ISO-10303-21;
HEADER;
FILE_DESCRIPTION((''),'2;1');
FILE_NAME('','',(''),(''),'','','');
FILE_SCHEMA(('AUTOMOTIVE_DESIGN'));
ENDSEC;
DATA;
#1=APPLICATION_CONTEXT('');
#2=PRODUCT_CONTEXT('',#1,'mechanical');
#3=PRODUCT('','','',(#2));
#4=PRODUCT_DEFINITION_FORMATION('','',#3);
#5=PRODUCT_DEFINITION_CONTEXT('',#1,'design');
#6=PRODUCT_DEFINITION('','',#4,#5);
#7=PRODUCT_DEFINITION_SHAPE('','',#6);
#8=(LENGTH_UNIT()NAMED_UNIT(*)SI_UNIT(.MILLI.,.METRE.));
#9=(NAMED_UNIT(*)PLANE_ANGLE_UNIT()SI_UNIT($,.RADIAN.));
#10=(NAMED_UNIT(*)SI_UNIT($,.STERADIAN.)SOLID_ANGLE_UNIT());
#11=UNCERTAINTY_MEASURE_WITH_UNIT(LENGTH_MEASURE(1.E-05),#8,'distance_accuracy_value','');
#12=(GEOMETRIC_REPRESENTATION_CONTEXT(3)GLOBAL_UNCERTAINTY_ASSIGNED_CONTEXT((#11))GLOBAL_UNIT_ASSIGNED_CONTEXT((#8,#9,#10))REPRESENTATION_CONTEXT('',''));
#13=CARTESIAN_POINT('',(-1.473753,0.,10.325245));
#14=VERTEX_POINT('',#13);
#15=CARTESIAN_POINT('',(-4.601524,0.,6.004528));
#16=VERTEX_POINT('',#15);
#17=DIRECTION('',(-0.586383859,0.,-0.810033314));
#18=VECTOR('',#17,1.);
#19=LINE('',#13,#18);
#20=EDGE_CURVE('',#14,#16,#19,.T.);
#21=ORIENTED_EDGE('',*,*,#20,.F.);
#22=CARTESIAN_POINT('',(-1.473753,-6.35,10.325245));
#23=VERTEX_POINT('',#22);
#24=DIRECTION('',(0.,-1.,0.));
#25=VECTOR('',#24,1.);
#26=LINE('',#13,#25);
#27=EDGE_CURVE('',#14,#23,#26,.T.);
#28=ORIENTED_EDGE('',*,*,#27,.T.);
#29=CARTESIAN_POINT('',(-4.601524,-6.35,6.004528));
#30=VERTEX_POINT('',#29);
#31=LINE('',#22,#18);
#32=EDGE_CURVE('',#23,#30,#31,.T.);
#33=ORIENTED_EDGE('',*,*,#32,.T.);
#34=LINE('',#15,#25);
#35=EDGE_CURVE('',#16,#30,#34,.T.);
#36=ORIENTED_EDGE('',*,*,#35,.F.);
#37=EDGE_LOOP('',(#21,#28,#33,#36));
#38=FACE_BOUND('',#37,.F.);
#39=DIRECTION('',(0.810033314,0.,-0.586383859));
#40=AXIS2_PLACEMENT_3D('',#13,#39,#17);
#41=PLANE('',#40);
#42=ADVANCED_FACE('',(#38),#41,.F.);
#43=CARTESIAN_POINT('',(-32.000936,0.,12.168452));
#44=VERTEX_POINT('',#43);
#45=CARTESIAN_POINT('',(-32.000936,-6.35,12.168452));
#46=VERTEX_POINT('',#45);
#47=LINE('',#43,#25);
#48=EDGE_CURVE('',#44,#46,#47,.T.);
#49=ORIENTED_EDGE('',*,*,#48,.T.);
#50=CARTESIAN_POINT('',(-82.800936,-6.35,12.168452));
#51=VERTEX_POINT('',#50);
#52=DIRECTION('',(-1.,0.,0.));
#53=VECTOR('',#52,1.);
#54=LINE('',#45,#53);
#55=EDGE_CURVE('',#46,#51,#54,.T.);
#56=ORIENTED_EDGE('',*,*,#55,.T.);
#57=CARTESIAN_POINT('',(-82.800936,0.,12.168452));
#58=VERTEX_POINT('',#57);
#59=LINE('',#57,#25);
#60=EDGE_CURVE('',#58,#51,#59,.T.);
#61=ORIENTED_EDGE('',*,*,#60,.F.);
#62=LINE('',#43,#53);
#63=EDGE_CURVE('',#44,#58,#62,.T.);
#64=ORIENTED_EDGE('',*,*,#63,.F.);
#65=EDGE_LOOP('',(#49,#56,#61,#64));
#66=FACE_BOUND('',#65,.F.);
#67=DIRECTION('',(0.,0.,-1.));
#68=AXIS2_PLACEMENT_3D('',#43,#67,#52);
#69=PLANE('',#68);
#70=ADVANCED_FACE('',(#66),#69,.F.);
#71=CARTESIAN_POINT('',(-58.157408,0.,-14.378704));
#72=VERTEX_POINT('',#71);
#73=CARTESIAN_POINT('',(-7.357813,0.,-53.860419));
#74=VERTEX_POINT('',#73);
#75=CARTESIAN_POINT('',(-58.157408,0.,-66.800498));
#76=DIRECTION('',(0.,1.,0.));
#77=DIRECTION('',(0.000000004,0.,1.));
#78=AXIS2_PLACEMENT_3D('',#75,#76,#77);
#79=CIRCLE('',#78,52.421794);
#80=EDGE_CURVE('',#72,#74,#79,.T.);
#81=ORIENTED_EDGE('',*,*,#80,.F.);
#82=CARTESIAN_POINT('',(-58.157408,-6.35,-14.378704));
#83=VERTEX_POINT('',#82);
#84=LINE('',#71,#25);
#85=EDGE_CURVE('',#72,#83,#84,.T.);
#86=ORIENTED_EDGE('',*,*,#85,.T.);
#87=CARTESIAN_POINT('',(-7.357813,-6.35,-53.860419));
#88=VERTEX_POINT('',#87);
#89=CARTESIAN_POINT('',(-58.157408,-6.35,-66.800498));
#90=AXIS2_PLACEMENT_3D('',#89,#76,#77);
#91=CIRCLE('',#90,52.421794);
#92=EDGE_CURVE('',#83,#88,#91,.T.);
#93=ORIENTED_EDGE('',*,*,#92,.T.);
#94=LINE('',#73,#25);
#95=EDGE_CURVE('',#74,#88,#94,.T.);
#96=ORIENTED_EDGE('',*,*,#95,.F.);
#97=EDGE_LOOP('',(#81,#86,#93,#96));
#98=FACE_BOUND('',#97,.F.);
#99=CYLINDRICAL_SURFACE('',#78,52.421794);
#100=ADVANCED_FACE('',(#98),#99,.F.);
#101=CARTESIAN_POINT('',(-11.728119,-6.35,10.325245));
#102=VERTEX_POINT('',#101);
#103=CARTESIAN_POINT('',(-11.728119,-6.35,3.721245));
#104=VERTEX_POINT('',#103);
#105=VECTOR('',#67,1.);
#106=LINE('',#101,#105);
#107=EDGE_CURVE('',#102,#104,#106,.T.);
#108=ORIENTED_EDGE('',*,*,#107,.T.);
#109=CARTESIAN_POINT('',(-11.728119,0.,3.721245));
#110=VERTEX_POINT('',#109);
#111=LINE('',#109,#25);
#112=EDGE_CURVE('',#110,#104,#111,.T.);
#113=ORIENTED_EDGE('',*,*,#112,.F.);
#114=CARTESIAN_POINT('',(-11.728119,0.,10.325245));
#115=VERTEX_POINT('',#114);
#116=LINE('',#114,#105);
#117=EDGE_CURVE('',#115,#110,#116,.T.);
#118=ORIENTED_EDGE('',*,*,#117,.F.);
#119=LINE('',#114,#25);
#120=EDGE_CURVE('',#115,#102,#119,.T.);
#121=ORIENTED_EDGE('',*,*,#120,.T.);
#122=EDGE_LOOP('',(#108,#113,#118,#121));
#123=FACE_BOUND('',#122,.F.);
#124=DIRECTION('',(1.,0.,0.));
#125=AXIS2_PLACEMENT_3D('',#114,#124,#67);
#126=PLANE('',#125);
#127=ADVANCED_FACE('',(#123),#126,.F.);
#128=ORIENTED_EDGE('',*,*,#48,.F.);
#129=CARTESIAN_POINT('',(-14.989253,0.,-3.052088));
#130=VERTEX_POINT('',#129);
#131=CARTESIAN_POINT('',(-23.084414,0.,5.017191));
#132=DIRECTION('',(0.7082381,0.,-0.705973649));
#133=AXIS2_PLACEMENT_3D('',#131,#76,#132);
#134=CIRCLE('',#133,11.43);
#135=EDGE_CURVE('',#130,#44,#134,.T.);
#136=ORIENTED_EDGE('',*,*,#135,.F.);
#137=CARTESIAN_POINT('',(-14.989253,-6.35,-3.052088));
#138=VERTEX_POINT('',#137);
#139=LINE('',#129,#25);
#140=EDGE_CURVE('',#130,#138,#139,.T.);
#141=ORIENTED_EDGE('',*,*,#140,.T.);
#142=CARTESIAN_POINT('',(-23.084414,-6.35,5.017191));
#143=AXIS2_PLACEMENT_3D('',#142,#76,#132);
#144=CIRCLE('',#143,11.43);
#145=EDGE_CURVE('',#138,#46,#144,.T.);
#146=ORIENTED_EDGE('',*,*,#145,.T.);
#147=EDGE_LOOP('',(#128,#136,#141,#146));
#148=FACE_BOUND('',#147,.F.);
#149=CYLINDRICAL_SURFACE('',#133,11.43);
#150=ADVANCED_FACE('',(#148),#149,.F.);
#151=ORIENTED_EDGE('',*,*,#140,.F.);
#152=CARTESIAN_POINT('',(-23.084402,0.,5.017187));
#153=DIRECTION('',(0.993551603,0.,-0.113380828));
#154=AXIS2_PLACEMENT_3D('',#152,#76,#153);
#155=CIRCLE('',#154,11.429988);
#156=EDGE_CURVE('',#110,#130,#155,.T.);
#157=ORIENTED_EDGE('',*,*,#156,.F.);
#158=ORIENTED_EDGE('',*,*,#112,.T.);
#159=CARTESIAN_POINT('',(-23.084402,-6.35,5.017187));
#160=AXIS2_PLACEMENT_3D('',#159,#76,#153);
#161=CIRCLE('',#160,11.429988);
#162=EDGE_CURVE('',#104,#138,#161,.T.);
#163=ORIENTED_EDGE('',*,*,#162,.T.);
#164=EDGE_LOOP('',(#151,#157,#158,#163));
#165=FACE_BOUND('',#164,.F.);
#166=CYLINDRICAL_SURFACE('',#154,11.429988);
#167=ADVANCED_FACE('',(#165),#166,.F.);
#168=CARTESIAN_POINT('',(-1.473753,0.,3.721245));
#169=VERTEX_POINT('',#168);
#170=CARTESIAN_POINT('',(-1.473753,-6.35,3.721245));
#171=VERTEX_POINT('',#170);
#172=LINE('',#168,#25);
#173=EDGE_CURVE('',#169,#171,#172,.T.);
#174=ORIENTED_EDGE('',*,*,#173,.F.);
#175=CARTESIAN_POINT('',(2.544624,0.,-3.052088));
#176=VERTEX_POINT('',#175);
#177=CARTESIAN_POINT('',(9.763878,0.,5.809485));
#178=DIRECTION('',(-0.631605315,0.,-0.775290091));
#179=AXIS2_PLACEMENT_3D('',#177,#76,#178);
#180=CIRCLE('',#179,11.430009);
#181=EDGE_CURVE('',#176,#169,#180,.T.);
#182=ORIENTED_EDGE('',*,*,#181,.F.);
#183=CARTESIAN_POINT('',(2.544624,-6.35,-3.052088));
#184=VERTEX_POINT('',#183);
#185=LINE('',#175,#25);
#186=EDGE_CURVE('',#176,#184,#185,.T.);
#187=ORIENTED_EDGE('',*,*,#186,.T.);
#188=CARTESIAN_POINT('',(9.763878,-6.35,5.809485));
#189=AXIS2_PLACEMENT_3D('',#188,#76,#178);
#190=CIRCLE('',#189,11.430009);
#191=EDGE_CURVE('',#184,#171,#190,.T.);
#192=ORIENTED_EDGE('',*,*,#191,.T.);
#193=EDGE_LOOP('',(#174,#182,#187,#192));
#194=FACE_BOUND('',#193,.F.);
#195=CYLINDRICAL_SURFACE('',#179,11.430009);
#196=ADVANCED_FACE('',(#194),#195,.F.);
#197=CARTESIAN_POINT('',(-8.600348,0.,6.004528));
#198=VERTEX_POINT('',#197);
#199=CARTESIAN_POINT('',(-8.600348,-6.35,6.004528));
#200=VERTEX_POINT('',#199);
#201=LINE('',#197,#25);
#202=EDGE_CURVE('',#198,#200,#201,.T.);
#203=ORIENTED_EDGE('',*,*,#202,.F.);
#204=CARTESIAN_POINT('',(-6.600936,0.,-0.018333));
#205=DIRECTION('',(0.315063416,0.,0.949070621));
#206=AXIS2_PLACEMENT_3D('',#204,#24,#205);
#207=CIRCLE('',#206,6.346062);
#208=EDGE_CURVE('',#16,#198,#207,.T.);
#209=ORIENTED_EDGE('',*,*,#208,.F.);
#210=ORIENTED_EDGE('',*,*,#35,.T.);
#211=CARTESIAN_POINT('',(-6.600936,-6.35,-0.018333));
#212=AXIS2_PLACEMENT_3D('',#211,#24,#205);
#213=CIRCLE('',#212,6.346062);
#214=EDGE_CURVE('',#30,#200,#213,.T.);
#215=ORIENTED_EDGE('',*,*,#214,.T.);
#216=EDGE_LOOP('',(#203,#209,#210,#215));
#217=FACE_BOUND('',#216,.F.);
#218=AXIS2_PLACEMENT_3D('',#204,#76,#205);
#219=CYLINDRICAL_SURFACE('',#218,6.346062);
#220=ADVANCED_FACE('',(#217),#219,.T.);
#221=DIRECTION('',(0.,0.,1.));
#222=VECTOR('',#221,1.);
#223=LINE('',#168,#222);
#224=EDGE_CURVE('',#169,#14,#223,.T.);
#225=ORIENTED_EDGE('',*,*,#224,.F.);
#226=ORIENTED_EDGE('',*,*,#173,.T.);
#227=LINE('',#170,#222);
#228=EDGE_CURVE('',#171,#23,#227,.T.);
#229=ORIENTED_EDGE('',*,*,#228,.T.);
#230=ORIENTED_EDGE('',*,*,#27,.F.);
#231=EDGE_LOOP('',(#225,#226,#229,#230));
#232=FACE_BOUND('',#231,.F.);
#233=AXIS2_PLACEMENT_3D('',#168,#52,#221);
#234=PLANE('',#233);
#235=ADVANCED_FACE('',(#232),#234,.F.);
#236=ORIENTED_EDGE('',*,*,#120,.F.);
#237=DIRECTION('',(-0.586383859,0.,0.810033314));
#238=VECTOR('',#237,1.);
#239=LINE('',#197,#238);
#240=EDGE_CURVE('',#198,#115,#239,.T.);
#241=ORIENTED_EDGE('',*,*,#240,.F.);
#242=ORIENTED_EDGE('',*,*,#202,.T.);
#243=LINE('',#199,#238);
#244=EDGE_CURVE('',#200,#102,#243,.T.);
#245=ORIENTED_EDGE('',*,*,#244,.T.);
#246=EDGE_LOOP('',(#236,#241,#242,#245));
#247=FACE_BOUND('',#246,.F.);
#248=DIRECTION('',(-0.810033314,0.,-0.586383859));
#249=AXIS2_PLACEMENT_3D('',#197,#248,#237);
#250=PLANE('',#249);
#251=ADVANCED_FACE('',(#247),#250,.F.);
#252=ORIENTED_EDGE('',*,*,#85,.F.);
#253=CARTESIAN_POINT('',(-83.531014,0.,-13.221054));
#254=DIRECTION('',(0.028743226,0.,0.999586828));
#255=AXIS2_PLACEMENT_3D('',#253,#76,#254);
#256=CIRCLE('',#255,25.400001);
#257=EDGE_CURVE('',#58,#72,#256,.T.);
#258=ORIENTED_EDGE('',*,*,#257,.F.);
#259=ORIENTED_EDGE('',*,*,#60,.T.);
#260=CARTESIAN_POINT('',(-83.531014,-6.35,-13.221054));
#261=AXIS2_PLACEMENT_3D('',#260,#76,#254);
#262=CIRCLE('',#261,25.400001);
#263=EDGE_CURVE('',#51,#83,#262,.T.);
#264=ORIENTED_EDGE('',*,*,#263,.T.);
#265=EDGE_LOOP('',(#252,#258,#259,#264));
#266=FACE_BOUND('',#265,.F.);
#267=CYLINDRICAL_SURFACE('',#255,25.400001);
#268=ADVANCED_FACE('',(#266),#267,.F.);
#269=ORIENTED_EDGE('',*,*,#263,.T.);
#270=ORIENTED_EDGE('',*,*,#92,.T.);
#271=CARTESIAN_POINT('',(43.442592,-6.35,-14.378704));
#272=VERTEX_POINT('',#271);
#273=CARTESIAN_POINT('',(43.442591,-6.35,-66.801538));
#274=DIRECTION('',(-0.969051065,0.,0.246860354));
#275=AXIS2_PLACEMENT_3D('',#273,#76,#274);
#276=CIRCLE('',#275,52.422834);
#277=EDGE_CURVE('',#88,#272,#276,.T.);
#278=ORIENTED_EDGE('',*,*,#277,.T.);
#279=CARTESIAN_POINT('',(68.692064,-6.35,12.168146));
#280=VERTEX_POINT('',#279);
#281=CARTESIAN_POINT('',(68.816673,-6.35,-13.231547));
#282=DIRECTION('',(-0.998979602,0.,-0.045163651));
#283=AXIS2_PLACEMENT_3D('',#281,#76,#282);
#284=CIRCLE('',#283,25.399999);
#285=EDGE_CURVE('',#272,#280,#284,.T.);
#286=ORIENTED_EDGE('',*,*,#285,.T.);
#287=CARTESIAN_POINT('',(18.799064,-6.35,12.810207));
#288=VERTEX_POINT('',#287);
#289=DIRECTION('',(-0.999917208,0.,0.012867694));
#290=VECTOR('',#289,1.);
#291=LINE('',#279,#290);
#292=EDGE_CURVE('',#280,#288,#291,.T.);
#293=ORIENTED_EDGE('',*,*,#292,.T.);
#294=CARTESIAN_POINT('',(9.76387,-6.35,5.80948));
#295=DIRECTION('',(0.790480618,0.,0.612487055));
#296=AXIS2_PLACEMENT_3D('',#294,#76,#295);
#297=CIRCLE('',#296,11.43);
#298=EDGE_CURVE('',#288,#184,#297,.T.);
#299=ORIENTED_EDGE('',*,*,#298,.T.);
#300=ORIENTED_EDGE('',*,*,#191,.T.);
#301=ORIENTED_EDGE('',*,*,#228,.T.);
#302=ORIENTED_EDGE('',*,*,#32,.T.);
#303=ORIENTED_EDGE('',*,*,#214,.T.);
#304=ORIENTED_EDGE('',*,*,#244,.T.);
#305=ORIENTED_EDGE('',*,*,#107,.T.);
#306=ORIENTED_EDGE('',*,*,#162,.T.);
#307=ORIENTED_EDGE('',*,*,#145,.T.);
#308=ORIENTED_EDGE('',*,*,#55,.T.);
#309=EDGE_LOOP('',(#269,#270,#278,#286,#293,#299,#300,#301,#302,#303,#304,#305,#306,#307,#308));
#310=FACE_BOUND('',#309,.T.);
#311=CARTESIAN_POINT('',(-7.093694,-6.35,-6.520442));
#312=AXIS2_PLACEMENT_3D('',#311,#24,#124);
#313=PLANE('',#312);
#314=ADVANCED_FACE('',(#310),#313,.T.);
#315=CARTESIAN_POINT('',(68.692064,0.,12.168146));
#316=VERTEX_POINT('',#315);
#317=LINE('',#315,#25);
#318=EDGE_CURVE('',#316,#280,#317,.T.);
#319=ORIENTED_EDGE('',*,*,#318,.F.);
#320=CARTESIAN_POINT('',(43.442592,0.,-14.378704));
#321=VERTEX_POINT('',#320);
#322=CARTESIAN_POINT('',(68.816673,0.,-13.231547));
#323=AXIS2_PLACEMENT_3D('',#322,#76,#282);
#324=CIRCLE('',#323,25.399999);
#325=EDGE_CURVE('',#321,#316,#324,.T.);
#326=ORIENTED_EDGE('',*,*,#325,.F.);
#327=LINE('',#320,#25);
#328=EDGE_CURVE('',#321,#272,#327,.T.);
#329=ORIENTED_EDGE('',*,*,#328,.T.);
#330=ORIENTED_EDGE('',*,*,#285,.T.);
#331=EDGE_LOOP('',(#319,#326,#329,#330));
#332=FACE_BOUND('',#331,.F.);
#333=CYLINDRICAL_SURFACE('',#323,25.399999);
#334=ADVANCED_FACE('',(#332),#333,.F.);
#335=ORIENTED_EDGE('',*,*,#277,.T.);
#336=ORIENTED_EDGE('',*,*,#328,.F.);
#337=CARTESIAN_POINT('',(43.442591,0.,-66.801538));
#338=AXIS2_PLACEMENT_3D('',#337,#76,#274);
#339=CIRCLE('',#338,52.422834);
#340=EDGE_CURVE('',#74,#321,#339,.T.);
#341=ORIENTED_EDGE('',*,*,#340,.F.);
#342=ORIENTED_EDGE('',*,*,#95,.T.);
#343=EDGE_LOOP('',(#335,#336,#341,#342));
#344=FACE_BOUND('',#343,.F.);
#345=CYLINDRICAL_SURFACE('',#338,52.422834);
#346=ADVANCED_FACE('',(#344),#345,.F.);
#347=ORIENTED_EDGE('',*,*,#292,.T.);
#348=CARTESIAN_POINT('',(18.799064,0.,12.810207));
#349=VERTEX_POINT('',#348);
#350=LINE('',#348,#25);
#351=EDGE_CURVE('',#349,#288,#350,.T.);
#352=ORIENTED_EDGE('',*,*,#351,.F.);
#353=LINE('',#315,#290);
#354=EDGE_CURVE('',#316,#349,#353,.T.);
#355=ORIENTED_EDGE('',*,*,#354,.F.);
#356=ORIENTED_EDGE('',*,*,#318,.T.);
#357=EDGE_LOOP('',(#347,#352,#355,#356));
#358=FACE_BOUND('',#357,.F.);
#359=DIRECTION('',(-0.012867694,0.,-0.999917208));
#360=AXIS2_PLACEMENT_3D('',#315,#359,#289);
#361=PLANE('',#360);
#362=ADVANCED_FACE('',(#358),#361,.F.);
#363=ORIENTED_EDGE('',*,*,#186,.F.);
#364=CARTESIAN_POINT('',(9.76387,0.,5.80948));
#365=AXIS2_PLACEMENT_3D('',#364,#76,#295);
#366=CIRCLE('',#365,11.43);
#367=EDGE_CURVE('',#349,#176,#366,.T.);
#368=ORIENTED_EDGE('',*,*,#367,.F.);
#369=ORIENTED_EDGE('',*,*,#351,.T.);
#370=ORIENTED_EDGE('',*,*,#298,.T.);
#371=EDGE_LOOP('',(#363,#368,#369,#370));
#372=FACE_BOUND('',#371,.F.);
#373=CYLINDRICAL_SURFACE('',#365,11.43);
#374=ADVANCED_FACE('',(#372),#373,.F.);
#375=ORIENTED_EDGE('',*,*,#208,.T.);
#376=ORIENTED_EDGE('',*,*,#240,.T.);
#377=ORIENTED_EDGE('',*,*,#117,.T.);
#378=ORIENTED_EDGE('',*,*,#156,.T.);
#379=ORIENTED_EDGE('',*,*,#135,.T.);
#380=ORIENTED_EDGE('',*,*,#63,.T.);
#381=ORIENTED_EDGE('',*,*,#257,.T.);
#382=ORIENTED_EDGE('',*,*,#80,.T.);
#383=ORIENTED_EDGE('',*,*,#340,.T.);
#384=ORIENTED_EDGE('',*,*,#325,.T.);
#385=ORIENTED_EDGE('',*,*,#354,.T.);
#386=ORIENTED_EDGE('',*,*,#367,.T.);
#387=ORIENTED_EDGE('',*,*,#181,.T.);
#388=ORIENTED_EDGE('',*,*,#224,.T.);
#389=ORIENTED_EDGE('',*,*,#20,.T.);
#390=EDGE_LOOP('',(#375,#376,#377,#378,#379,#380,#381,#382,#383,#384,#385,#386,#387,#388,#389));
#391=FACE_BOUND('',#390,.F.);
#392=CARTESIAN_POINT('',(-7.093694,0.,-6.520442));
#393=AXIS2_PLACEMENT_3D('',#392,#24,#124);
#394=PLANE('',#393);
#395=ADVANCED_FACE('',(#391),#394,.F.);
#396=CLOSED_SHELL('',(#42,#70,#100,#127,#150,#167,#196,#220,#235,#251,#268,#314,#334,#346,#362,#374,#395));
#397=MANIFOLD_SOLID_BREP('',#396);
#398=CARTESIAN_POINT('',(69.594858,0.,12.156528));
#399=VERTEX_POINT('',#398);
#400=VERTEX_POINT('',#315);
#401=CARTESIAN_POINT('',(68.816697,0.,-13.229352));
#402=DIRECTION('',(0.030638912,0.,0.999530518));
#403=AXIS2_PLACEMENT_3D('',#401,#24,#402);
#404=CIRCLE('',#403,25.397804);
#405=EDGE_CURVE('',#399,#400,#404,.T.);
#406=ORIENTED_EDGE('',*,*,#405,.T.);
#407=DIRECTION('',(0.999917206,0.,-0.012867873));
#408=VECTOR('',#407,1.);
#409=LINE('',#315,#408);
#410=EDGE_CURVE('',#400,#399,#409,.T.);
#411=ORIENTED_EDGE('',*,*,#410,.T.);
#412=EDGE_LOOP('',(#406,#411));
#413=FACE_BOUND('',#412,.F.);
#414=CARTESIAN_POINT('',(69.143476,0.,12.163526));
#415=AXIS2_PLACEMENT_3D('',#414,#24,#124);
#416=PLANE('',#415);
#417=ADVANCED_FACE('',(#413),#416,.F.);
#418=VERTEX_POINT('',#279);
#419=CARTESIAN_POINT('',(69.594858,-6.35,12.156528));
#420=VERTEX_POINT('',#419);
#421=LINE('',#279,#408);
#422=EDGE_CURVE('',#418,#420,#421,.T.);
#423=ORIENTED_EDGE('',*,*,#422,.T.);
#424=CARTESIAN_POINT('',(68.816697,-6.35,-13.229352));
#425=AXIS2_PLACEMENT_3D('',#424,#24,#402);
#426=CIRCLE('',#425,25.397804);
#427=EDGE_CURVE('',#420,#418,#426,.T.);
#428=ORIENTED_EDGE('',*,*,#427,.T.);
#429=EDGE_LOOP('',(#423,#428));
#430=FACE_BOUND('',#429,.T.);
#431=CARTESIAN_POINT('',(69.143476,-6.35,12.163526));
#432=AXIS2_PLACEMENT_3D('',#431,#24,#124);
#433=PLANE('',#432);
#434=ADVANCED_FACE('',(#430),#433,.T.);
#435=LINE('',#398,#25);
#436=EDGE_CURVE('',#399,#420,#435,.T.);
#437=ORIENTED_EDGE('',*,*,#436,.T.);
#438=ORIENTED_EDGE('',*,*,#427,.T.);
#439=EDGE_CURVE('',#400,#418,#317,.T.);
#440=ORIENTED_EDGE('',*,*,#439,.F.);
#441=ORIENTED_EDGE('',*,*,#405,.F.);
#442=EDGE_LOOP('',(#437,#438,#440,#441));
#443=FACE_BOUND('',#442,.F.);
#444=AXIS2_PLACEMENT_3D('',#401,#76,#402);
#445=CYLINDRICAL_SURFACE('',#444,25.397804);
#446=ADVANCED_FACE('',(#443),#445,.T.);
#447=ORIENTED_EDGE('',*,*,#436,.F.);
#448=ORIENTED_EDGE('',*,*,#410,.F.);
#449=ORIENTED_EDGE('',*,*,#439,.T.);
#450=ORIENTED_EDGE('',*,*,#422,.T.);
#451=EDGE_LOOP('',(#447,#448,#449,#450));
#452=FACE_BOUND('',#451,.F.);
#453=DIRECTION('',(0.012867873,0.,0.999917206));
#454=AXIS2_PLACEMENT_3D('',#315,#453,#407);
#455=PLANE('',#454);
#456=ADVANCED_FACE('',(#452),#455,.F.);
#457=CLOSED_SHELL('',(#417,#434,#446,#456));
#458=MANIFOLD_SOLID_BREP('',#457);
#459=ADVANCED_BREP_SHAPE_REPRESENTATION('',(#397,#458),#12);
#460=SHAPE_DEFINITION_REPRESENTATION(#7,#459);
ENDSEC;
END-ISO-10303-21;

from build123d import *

# Parameters (mm, degrees)
F1_DEPTH = 6.35


with BuildPart() as f1:
    # F0 (on Front) → F1 (new body)
    with BuildSketch(Plane.XZ):
        with BuildLine():
            ThreePointArc((69.594858, 12.156528), (69.143513, 12.166349), (68.692064, 12.168146))
            Line((68.692064, 12.168146), (69.594858, 12.156528))
        make_face()
        with BuildLine():
            Line((-32.000936, 12.168452), (-82.800936, 12.168452))
            ThreePointArc((-82.800936, 12.168452), (-64.915471, 4.059617), (-58.157408, -14.378704))
            ThreePointArc((-58.157408, -14.378704), (-25.988306, -25.409758), (-7.357813, -53.860419))
            ThreePointArc((-7.357813, -53.860419), (11.273169, -25.409729), (43.442592, -14.378704))
            ThreePointArc((43.442592, -14.378704), (50.412065, 4.273605), (68.692064, 12.168146))
            Line((68.692064, 12.168146), (18.799064, 12.810207))
            ThreePointArc((18.799064, 12.810207), (17.746822, -2.370825), (2.544624, -3.052088))
            Line((2.544624, -3.052088), (-14.989253, -3.052088))
            ThreePointArc((-14.989253, -3.052088), (-30.705757, -3.501027), (-32.000936, 12.168452))
        make_face()
        with BuildLine():
            ThreePointArc((-11.728119, 3.721245), (-12.785904, 0.058803), (-14.989253, -3.052088))
            Line((-14.989253, -3.052088), (2.544624, -3.052088))
            ThreePointArc((2.544624, -3.052088), (-0.066364, -0.022448), (-1.473753, 3.721245))
            Line((-1.473753, 3.721245), (-11.728119, 3.721245))
        make_face()
        with BuildLine():
            ThreePointArc((-8.600348, 6.004528), (-10.342651, 5.107293), (-11.728119, 3.721245))
            Line((-11.728119, 3.721245), (-1.473753, 3.721245))
            ThreePointArc((-1.473753, 3.721245), (-2.859221, 5.107293), (-4.601524, 6.004528))
            ThreePointArc((-4.601524, 6.004528), (-6.600936, 6.327729), (-8.600348, 6.004528))
        make_face()
        with BuildLine():
            Line((-11.728119, 10.325245), (-11.728119, 3.721245))
            ThreePointArc((-11.728119, 3.721245), (-10.342651, 5.107293), (-8.600348, 6.004528))
            Line((-8.600348, 6.004528), (-11.728119, 10.325245))
        make_face()
        with BuildLine():
            ThreePointArc((-4.601524, 6.004528), (-2.859221, 5.107293), (-1.473753, 3.721245))
            Line((-1.473753, 3.721245), (-1.473753, 10.325245))
            Line((-1.473753, 10.325245), (-4.601524, 6.004528))
        make_face()
    extrude(amount=F1_DEPTH)


solid = f1.part
